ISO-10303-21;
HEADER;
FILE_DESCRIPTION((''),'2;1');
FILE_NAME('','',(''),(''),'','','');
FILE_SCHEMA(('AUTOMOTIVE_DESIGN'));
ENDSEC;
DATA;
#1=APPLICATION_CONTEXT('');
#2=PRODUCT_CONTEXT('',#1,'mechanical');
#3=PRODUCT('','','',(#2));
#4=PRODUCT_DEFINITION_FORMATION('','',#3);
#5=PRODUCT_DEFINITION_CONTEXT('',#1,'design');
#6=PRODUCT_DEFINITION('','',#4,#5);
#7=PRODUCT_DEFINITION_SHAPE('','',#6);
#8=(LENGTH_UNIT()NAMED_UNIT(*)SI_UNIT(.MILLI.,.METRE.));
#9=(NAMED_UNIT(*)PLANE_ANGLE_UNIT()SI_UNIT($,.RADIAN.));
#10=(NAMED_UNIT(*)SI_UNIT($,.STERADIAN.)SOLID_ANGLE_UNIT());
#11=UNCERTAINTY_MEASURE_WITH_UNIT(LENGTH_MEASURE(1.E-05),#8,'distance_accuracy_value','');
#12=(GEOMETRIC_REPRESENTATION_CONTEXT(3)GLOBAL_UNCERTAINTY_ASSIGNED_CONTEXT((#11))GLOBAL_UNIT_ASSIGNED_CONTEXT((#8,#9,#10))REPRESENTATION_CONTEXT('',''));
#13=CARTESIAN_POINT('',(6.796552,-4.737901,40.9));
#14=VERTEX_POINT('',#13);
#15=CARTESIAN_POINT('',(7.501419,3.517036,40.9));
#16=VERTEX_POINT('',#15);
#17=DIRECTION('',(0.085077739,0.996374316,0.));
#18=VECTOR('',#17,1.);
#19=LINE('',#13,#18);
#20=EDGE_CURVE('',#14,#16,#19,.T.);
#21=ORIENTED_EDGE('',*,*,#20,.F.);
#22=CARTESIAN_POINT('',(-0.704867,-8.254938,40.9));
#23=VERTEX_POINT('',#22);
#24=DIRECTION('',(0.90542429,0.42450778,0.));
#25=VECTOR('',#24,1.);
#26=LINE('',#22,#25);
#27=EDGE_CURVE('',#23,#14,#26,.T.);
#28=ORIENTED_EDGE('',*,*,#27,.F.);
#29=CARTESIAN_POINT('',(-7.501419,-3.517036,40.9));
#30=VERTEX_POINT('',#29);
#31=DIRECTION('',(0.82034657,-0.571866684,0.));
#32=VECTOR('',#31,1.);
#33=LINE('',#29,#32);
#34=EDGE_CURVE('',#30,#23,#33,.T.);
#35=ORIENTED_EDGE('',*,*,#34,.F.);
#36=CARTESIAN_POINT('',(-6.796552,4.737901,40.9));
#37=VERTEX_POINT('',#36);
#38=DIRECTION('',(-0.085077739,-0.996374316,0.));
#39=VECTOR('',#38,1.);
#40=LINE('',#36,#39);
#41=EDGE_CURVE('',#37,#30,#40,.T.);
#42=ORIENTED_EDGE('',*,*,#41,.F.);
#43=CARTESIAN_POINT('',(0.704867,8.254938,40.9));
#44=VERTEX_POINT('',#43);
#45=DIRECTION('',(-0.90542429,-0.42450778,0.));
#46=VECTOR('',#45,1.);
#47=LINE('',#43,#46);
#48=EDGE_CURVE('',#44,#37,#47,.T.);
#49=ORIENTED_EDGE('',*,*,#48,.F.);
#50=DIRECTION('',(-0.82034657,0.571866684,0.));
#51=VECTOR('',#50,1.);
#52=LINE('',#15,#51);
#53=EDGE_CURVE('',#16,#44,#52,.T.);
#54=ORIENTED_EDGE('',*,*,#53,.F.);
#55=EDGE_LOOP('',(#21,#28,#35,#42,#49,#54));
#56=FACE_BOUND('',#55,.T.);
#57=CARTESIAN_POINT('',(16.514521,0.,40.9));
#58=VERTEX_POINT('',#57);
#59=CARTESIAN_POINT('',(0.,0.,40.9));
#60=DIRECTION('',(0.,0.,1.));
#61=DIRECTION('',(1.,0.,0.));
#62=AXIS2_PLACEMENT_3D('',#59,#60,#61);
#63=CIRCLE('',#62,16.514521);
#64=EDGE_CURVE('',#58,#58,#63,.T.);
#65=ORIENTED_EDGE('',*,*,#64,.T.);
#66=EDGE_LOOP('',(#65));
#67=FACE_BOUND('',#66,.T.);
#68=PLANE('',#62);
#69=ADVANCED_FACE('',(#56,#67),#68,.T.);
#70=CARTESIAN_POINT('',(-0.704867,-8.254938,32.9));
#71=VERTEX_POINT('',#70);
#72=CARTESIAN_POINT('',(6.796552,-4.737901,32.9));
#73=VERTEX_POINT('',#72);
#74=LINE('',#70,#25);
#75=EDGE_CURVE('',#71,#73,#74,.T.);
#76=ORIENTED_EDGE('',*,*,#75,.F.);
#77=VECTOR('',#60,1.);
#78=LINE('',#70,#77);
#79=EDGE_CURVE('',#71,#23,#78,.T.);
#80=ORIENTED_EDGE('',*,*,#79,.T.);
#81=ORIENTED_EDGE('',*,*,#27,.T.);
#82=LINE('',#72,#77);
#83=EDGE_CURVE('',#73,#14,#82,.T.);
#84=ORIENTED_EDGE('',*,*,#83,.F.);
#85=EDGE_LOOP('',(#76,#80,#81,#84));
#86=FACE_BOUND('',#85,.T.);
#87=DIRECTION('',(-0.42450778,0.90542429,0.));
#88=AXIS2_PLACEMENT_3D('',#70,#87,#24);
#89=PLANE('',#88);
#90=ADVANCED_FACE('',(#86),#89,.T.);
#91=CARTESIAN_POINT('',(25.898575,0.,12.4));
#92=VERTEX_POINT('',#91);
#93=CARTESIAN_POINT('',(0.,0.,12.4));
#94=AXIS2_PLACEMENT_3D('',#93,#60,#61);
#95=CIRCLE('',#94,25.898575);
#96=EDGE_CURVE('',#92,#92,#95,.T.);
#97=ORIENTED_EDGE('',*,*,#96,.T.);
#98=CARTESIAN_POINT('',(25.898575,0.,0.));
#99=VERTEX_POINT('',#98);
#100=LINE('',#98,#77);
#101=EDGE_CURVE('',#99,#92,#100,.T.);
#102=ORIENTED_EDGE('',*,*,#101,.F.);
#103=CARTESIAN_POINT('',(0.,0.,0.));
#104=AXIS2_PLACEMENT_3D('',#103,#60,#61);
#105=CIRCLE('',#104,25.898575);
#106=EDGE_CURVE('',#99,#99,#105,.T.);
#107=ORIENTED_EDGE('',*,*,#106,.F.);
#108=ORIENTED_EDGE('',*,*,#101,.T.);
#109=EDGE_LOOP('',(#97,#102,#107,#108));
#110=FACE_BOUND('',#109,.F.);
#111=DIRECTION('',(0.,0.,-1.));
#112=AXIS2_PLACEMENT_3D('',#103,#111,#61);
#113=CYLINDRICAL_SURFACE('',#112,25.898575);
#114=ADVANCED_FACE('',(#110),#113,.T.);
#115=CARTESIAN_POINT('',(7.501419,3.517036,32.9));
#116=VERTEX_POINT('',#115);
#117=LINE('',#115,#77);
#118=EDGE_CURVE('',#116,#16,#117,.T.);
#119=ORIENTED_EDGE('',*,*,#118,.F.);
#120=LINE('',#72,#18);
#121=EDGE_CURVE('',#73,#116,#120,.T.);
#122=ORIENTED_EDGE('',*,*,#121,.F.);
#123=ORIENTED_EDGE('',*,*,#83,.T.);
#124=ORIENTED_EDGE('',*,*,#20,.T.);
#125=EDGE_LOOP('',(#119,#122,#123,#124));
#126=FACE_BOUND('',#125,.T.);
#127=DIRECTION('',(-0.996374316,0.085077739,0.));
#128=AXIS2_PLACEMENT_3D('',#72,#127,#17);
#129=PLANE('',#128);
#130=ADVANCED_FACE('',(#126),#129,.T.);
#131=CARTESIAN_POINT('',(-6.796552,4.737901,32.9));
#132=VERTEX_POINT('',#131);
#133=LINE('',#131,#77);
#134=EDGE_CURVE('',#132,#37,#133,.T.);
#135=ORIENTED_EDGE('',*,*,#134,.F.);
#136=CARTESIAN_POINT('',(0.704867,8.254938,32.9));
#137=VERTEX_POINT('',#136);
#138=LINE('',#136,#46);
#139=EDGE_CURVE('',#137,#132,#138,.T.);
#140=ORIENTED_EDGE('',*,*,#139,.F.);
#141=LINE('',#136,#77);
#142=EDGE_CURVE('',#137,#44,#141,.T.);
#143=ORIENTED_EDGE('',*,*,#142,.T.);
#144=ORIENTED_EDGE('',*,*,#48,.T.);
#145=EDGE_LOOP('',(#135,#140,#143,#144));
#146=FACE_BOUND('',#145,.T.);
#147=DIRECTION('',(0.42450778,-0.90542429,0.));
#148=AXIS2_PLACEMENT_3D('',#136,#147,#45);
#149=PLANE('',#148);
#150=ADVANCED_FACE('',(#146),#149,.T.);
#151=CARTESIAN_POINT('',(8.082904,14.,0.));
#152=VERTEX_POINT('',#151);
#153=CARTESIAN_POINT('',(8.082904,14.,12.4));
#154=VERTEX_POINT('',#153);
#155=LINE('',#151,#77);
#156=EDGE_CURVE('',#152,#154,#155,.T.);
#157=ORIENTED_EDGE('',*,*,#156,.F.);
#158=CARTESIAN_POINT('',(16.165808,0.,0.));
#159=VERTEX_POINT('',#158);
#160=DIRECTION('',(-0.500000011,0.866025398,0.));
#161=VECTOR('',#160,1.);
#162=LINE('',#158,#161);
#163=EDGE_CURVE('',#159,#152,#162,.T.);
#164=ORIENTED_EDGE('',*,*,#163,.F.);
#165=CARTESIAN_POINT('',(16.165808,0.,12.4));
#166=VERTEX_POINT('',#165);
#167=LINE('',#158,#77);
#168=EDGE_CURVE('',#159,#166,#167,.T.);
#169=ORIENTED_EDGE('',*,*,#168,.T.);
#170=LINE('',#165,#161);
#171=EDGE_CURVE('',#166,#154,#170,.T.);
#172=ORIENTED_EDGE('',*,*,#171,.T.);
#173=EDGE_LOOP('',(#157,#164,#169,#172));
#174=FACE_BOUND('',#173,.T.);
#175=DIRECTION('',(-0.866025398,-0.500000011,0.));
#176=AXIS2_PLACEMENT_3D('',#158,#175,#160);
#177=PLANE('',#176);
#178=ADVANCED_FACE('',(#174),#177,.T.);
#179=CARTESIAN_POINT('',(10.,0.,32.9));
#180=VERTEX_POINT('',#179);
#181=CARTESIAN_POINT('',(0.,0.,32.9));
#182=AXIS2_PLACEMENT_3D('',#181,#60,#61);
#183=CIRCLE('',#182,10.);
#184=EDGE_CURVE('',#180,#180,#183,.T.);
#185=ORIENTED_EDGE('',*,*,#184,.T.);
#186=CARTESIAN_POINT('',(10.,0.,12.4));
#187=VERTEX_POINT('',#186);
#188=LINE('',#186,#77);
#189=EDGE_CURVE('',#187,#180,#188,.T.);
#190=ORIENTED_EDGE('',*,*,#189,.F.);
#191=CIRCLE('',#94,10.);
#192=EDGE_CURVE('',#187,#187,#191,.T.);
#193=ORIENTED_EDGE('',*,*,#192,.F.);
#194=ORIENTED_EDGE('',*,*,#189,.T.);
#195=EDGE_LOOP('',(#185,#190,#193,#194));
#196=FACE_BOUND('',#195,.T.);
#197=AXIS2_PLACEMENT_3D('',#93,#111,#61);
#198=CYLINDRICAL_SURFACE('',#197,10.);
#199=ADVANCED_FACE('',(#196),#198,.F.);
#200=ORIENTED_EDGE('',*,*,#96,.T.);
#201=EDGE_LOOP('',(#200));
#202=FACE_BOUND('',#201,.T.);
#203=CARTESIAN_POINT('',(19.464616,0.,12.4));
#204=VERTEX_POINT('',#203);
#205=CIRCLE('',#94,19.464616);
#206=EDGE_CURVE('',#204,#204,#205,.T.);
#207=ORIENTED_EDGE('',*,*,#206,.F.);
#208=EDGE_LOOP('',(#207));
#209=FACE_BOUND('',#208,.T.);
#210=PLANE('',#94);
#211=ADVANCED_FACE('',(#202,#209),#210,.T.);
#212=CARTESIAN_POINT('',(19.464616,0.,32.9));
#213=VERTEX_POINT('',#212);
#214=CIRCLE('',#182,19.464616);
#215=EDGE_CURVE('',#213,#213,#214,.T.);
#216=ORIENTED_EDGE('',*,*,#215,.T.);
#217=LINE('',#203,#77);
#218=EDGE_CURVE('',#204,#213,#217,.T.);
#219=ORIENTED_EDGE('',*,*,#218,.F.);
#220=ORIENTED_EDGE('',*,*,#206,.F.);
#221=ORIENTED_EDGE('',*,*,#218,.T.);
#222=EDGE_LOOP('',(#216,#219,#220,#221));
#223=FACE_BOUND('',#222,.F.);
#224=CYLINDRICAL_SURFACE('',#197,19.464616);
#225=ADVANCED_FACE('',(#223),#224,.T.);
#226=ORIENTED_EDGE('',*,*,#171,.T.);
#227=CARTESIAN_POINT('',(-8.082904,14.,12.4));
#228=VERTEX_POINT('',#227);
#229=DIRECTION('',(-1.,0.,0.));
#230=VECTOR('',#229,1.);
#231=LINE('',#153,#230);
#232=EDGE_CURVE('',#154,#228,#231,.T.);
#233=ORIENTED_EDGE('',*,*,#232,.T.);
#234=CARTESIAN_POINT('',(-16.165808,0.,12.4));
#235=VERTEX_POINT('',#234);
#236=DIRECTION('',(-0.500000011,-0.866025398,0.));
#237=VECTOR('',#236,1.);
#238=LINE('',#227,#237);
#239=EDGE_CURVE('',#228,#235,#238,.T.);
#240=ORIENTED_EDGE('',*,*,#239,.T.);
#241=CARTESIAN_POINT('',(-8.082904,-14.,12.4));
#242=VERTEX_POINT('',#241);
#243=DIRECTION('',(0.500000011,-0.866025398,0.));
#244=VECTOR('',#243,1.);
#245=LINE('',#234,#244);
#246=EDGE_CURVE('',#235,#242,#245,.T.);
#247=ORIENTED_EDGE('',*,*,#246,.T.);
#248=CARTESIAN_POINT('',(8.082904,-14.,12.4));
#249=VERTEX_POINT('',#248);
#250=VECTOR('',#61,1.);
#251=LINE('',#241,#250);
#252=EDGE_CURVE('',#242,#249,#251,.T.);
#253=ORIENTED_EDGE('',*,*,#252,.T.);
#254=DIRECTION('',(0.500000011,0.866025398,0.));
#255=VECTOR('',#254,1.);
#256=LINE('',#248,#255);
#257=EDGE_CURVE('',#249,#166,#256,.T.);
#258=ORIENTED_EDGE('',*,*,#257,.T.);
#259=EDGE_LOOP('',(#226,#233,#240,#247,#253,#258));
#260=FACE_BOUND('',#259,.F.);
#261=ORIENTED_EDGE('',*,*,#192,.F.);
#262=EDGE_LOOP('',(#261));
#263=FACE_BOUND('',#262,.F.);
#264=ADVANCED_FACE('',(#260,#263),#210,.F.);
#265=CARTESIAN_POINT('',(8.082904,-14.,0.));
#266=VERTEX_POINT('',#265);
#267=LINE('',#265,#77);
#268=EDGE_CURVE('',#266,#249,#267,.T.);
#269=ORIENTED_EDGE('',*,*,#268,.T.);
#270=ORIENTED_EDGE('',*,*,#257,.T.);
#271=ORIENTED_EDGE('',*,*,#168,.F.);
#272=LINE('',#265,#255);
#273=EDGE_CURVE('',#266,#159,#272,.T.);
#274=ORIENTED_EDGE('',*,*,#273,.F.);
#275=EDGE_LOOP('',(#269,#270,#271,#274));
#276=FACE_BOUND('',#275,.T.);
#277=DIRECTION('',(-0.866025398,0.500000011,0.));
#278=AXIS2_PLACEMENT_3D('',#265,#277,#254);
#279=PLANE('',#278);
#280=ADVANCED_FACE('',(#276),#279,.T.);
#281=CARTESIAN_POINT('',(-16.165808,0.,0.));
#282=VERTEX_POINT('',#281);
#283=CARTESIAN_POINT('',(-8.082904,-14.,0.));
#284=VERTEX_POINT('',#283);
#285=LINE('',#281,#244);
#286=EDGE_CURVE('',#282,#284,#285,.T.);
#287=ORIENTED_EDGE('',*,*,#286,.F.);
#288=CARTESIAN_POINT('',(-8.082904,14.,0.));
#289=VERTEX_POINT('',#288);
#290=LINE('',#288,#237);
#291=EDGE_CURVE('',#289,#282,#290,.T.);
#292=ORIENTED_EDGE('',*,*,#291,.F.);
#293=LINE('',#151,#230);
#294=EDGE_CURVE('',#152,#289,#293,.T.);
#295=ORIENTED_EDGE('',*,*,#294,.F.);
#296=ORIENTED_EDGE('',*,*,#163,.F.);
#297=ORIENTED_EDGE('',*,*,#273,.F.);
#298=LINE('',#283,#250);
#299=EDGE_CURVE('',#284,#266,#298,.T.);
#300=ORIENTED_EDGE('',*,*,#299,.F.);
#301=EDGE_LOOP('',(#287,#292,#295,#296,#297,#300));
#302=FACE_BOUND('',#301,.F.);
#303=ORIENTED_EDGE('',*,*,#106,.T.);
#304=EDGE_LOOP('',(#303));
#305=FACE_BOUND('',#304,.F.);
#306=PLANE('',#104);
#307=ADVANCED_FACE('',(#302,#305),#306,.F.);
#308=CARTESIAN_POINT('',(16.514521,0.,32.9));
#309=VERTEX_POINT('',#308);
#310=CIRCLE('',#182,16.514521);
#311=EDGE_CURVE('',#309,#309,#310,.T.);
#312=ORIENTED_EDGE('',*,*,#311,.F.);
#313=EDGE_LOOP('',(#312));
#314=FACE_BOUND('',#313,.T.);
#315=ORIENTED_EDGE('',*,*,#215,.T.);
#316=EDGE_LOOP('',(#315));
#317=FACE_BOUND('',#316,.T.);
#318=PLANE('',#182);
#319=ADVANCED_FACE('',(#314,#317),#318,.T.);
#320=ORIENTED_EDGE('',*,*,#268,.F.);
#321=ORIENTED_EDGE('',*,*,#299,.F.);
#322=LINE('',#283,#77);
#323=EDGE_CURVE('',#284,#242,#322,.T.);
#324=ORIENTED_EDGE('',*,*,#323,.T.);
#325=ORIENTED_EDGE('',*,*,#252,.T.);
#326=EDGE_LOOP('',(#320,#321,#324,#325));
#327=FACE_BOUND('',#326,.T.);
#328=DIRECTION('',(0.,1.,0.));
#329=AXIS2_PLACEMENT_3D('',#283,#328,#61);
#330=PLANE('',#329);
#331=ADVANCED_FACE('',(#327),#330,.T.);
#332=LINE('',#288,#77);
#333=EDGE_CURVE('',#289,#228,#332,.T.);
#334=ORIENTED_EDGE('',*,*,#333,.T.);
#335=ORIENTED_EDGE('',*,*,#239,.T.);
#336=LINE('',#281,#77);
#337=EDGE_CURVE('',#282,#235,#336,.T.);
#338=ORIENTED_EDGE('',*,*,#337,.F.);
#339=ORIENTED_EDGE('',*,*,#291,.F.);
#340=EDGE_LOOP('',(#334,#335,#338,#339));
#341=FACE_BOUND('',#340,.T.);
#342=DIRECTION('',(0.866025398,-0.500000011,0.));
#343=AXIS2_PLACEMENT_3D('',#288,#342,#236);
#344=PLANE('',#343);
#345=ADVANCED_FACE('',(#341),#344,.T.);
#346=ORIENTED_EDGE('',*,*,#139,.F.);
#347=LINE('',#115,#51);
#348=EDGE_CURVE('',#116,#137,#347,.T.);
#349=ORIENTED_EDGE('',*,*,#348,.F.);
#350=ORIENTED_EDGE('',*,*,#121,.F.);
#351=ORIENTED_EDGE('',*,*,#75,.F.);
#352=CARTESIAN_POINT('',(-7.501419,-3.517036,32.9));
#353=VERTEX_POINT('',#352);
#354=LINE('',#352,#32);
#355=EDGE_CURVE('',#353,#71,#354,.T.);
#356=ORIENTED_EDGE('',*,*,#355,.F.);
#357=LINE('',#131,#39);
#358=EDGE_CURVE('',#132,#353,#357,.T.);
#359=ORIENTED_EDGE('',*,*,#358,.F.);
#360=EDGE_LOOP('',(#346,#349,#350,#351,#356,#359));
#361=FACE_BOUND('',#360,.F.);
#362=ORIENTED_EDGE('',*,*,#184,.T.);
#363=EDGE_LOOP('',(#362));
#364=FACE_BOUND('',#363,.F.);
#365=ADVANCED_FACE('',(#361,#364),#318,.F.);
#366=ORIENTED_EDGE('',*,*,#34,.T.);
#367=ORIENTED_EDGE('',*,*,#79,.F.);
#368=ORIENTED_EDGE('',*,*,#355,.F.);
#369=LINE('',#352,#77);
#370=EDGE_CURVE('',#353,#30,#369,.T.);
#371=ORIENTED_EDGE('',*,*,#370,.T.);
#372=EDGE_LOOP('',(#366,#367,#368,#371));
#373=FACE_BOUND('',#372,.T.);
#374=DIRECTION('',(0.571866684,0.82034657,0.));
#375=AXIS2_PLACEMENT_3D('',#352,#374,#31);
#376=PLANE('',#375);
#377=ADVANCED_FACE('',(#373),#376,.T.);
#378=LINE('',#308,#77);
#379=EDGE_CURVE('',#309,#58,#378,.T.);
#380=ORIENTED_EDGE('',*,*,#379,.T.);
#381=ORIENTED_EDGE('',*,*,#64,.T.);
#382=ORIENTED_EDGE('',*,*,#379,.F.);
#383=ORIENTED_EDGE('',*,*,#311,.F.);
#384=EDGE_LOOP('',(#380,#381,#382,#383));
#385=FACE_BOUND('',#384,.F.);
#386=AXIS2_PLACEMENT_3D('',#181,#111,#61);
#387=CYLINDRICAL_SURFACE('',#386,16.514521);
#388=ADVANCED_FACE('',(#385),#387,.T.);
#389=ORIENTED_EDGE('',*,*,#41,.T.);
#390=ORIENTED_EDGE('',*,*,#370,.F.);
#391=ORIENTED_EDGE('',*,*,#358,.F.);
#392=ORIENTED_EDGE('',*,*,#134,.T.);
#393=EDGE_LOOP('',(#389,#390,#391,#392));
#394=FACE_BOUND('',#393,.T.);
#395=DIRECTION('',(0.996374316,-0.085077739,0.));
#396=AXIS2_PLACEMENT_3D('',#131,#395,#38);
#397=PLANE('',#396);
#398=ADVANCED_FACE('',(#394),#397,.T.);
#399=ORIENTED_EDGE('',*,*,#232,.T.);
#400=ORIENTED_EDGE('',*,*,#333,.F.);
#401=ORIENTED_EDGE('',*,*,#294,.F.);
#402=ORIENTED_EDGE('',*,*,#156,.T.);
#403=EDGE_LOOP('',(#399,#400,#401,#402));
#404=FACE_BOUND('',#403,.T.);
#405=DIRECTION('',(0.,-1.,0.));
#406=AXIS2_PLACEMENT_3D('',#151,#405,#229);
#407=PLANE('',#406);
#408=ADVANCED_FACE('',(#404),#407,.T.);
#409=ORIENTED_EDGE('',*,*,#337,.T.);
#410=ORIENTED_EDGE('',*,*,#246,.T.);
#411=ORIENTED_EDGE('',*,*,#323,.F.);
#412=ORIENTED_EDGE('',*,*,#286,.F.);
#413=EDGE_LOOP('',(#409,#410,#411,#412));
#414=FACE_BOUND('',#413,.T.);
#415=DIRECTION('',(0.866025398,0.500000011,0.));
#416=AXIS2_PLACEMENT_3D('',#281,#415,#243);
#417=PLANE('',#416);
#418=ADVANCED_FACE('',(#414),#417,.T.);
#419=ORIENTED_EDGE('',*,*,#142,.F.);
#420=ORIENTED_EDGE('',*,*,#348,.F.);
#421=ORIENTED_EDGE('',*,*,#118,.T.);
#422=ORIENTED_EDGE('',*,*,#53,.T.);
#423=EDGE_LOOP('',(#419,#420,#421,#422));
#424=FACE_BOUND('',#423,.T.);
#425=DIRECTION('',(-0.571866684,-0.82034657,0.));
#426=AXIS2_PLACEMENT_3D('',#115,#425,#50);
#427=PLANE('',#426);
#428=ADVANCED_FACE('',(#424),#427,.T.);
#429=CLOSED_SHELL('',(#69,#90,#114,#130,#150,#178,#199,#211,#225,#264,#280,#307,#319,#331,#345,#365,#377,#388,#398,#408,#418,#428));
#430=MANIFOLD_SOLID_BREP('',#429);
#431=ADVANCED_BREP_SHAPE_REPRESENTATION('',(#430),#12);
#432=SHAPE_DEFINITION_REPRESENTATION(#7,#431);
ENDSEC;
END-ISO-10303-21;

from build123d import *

# Parameters (mm, degrees)
SKETCH_R      = 25.898575
PAD_DEPTH     = 12.4
SKETCH001_R   = 19.464616
SKETCH001_R_2 = 10
PAD001_DEPTH  = 20.5
SKETCH002_R   = 16.514521
PAD002_DEPTH  = 8


with BuildPart() as part:
    # Sketch → Pad (new body)
    with BuildSketch(Plane.XY):
        Circle(SKETCH_R)
        Polygon((8.082904, 14), (-8.082904, 14), (-16.165808, 0), (-8.082904, -14), (8.082904, -14), (16.165808, 0), align=None, mode=Mode.SUBTRACT)
    extrude(amount=PAD_DEPTH)

    # Sketch001 (on Face9 of Pad) → Pad001 (join)
    with BuildSketch(Plane.XY.offset(12.4)):
        Circle(SKETCH001_R)
        Circle(SKETCH001_R_2, mode=Mode.SUBTRACT)
    extrude(amount=PAD001_DEPTH)

    # Sketch002 (on Face12 of Pad001) → Pad002 (join)
    with BuildSketch(Plane.XY.offset(32.9)):
        Circle(SKETCH002_R)
        Polygon((-6.796552, 4.737901), (-7.501419, -3.517036), (-0.704867, -8.254938), (6.796552, -4.737901), (7.501419, 3.517036), (0.704867, 8.254938), align=None, mode=Mode.SUBTRACT)
    extrude(amount=PAD002_DEPTH)


solid = part.part
